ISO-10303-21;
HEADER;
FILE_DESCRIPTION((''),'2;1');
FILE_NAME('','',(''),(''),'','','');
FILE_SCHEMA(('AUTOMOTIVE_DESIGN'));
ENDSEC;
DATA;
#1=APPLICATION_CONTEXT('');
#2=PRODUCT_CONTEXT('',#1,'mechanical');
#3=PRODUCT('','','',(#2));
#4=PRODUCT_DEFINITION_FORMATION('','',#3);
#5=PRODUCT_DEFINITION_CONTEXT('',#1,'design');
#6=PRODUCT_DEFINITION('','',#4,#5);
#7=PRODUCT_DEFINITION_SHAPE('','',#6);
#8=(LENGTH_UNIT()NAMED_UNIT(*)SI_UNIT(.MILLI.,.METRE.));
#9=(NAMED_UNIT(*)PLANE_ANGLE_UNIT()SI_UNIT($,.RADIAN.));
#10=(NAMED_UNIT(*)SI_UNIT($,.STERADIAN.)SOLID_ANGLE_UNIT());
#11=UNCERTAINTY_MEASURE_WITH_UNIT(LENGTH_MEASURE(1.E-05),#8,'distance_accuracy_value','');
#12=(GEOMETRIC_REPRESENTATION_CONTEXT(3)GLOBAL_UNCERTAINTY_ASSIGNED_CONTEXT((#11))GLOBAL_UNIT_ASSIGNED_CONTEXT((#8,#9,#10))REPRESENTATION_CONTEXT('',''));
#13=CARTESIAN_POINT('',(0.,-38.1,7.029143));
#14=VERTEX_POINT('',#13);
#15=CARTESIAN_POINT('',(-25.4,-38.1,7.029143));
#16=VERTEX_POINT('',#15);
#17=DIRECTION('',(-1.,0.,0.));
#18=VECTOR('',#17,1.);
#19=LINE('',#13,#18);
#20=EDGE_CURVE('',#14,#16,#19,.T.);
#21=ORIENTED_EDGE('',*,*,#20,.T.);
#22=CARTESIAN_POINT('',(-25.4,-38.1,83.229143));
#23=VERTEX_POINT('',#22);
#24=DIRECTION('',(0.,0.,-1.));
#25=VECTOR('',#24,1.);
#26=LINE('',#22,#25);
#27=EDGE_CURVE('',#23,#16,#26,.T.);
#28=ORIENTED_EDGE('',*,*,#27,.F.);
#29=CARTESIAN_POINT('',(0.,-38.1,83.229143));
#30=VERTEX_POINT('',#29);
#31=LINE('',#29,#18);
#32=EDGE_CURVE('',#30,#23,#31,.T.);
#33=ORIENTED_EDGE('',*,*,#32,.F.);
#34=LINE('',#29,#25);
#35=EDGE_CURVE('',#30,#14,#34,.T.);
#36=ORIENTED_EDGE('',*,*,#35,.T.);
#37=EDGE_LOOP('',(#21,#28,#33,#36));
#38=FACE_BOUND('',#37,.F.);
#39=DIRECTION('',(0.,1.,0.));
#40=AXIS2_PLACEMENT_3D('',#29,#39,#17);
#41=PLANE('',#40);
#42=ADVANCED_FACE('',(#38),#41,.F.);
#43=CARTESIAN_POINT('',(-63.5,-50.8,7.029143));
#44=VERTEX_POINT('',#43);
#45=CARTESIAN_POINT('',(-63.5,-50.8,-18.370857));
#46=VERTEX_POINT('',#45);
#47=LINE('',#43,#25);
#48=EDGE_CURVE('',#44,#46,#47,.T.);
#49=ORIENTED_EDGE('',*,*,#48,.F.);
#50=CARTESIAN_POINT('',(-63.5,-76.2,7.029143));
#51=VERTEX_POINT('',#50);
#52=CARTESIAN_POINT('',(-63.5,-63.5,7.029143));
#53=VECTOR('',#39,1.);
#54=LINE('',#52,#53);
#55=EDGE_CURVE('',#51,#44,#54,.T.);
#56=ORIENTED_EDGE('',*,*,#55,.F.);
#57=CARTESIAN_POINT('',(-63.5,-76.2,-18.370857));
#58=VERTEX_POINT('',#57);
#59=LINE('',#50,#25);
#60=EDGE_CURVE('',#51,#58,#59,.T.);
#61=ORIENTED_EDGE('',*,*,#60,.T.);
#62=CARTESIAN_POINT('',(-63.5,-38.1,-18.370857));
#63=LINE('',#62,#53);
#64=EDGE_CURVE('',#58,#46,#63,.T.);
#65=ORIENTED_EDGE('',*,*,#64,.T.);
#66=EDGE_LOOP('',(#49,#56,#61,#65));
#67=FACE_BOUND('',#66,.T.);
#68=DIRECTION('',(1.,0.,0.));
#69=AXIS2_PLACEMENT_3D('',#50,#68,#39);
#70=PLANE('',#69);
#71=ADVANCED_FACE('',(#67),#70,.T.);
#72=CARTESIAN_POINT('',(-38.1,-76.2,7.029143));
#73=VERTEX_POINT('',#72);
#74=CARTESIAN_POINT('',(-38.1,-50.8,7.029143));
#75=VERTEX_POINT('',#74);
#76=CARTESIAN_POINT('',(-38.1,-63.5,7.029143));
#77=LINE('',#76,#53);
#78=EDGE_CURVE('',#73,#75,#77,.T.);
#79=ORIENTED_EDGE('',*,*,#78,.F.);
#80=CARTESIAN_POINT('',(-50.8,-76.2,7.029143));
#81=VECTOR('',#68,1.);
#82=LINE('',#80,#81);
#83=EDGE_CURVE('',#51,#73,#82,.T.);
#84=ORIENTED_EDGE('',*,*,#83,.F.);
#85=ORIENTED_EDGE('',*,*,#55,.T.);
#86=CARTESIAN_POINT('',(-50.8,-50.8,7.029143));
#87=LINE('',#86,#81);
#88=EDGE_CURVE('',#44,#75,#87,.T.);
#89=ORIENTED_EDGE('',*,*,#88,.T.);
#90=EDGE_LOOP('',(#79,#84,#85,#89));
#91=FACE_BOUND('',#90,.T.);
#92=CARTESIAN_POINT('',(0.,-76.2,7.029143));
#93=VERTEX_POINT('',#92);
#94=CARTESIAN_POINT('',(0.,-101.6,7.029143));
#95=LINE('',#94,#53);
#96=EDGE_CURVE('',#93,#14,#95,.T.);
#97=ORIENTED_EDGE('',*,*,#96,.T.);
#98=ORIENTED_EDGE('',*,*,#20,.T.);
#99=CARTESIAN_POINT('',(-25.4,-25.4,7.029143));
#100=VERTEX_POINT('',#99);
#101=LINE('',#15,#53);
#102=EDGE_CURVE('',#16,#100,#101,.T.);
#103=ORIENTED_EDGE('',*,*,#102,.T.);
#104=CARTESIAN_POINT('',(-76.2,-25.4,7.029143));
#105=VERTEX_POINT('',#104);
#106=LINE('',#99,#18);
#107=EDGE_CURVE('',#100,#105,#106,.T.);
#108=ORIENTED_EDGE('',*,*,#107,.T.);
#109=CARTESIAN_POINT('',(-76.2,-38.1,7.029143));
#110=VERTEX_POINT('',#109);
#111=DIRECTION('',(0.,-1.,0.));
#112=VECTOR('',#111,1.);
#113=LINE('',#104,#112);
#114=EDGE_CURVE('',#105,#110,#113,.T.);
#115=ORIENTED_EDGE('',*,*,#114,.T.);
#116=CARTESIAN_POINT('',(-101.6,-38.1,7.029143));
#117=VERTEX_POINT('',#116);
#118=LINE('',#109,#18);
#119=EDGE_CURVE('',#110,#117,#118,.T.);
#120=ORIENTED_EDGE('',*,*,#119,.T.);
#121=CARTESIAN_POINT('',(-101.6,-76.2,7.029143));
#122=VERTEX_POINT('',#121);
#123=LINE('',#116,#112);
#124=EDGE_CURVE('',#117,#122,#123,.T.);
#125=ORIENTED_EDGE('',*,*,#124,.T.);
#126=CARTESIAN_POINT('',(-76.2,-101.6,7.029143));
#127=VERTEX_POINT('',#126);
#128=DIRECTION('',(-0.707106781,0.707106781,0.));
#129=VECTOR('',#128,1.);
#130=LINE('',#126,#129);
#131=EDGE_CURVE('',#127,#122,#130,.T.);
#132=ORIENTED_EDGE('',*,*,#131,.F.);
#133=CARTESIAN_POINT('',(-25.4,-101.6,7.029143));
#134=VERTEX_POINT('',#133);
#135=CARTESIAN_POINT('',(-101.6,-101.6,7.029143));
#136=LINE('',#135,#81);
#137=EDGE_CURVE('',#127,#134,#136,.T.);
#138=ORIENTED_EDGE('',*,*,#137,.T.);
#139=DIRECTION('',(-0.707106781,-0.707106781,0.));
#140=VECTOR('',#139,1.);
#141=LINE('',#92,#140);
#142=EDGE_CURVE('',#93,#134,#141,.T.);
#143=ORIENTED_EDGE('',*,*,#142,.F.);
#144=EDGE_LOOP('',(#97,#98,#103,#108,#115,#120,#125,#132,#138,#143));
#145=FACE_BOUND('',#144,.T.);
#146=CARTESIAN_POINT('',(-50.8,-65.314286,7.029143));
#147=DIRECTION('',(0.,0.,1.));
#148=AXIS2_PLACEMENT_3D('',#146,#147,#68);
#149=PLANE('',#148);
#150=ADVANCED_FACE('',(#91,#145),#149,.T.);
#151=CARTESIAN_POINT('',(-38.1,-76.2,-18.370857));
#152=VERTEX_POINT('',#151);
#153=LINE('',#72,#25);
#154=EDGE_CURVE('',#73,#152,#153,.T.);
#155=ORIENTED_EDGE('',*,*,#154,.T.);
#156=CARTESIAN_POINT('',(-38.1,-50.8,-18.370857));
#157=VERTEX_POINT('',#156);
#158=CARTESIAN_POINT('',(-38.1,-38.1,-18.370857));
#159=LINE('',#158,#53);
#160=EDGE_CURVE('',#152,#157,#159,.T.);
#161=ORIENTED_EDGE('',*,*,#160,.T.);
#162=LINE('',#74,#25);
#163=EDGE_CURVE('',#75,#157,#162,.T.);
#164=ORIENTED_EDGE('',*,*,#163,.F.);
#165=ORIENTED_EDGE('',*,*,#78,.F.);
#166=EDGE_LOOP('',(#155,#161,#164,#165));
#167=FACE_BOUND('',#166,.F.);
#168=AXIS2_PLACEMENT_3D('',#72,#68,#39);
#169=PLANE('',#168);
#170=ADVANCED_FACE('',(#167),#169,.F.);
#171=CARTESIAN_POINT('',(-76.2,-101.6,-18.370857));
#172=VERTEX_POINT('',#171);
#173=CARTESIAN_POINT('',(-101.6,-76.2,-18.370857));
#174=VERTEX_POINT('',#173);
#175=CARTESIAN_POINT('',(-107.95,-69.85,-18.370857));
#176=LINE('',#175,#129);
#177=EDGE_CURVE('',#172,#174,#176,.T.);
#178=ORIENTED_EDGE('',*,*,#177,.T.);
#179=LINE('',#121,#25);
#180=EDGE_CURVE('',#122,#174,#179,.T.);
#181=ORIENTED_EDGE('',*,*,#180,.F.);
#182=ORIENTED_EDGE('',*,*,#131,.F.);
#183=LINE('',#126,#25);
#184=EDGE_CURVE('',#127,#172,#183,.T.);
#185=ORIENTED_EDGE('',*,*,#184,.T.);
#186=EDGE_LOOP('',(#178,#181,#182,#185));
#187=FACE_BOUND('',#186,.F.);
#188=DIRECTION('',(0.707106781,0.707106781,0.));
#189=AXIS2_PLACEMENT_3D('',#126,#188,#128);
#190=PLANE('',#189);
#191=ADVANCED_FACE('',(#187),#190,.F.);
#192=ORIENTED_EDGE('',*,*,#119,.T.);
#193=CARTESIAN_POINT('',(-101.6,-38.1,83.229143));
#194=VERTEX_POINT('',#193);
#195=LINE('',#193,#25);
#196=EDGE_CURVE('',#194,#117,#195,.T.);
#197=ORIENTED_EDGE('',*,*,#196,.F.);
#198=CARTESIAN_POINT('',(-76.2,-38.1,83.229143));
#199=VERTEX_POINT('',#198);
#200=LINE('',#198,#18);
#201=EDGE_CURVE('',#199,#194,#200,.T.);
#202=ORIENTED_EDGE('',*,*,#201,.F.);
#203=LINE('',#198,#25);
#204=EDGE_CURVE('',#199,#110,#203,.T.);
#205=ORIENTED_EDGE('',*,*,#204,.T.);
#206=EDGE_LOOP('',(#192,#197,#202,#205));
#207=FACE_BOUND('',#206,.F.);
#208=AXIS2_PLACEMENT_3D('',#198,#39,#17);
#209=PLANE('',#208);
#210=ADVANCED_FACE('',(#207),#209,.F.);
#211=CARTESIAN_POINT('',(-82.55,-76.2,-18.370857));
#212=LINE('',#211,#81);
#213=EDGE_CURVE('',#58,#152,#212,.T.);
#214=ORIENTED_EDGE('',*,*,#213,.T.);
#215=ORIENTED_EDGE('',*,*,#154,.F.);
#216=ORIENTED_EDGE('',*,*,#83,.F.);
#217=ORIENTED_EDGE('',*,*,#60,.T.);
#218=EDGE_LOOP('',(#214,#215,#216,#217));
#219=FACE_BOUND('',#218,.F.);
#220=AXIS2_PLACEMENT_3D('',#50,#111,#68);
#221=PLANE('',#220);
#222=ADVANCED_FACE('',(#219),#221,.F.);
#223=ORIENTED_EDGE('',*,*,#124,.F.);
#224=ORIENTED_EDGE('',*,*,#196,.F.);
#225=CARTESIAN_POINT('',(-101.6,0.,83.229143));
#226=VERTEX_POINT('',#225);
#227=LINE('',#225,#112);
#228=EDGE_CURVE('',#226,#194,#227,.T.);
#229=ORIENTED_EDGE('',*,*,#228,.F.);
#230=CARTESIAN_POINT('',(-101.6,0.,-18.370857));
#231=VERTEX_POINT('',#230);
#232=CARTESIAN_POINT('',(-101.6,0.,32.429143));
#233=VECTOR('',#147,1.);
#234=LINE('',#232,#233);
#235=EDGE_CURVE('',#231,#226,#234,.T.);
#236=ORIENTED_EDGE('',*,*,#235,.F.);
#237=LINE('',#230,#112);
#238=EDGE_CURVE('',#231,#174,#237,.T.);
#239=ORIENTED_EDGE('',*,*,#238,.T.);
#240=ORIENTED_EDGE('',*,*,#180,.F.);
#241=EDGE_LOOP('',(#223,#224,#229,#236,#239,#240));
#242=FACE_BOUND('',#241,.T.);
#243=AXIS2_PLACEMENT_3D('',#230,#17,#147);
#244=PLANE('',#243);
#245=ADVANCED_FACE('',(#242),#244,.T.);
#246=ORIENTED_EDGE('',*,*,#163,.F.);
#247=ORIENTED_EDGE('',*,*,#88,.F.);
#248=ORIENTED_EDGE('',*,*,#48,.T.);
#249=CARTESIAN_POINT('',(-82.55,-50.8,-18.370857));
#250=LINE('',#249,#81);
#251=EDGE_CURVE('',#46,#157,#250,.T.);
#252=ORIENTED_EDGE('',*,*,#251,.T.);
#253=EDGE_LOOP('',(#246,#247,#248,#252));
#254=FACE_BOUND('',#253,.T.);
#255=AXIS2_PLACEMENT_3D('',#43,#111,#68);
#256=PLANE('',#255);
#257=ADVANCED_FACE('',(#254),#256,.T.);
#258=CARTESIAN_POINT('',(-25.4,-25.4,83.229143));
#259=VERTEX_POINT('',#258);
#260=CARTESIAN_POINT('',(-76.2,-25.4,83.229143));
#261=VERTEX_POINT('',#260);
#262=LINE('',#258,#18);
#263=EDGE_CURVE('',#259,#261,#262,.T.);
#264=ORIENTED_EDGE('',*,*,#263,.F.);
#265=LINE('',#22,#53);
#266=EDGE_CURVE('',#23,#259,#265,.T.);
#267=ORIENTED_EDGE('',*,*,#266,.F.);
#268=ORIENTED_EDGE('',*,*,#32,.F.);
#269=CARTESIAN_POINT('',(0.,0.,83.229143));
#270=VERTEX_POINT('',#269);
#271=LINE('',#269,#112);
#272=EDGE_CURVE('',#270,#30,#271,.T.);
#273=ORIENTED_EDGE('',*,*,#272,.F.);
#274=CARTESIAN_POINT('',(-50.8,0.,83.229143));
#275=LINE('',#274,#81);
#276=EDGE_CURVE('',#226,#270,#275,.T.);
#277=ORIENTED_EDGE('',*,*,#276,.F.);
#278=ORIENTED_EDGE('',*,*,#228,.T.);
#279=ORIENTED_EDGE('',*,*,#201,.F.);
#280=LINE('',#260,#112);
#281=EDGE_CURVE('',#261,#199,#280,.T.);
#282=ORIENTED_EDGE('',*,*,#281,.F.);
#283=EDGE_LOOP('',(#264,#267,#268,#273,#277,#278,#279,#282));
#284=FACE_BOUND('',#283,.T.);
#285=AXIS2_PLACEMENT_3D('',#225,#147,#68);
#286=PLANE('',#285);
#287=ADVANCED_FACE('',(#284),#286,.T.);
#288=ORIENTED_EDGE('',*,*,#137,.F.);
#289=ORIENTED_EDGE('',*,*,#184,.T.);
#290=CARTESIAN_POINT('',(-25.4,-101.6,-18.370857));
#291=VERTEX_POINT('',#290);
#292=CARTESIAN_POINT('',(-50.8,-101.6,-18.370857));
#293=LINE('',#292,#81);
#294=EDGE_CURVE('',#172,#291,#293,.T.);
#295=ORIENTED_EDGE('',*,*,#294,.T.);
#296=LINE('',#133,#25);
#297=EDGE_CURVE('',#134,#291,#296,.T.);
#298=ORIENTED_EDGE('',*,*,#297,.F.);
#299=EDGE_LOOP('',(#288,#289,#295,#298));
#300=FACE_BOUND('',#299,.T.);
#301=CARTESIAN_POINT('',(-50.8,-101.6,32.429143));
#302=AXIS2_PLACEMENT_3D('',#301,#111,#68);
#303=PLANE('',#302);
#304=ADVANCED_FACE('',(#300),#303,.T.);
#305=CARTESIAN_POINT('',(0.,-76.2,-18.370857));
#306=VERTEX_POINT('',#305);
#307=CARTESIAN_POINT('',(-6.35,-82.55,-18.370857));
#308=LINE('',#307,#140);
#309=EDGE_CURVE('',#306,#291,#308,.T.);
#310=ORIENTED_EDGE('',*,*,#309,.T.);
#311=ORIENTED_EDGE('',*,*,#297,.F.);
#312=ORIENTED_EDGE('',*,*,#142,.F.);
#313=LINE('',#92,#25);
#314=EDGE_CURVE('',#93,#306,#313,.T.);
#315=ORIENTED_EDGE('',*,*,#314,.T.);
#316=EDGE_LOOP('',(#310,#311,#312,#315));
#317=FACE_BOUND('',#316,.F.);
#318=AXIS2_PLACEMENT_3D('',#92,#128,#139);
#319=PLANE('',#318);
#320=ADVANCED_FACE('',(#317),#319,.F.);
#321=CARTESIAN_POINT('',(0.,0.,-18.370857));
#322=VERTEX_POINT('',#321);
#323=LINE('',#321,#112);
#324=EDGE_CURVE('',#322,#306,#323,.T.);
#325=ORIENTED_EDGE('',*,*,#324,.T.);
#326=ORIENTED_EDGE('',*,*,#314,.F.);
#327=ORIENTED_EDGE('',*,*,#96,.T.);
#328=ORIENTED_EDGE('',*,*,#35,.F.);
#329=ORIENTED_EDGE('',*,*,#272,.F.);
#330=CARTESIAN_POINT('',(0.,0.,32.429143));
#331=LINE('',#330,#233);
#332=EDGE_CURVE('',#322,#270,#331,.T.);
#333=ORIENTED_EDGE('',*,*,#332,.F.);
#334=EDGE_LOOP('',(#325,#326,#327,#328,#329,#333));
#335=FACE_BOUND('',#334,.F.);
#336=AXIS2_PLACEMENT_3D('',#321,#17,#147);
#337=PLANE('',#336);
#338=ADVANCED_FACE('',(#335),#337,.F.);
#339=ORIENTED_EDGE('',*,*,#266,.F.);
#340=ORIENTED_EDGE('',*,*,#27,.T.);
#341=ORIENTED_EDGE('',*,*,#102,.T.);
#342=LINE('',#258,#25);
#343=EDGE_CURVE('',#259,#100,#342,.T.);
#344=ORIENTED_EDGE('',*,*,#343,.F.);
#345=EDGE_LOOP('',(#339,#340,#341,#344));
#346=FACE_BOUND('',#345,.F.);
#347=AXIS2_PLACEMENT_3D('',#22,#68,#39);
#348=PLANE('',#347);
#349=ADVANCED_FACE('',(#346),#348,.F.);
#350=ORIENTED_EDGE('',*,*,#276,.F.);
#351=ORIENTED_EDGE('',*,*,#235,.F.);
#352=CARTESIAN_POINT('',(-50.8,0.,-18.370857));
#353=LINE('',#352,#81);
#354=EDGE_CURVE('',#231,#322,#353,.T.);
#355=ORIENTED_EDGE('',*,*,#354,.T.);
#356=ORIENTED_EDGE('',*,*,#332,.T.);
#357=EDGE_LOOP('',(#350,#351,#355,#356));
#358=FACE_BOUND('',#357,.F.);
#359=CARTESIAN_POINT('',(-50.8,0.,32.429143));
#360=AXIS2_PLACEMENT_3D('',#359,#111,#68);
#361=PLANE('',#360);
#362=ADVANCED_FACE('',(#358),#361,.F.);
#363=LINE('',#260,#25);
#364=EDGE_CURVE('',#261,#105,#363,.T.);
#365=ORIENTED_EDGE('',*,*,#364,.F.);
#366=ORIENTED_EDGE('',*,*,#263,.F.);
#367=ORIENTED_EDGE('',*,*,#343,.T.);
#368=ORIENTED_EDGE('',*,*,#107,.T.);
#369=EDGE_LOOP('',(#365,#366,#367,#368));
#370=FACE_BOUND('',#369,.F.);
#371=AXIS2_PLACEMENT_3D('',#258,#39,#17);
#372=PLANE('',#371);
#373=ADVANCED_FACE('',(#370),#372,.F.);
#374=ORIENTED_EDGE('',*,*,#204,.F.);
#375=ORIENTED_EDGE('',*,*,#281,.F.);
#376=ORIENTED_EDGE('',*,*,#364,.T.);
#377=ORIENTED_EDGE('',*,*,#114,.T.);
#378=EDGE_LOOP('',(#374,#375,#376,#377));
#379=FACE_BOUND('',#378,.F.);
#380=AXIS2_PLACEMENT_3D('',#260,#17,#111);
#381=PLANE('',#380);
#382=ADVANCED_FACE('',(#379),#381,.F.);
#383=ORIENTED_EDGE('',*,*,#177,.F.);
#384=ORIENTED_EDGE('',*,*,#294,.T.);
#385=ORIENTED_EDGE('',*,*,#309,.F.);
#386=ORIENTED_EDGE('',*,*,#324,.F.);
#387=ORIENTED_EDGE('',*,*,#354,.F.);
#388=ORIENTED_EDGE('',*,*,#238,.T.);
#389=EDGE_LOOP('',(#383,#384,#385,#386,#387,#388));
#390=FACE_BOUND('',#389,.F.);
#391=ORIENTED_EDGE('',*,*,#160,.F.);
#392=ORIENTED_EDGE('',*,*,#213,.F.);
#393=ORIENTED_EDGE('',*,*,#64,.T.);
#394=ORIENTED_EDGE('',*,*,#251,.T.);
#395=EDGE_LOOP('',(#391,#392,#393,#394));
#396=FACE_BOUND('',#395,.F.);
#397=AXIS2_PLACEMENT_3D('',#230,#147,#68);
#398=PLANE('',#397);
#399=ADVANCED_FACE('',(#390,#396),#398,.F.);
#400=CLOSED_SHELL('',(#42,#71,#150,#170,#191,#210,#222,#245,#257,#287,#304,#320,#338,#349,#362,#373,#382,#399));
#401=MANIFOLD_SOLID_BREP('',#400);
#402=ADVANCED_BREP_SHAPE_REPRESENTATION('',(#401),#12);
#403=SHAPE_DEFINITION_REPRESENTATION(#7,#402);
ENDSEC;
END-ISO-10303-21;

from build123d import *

# Parameters (mm, degrees)
F0_W     = 101.6
F0_H     = 101.6
F1_DEPTH = 101.6
F3_DEPTH = 76.2
F5_DEPTH = 87.376
F6_W     = 25.4
F6_H     = 25.4
F7_DEPTH = 103.378


with BuildPart() as f1:
    # F0 (on Front) → F1 (new body)
    with BuildSketch(Plane.XZ):
        with Locations((-50.8, 32.4291425377)):
            Rectangle(F0_W, F0_H)
    extrude(amount=F1_DEPTH)

    # F2 (on face) → F3 (cut)
    with BuildSketch(Plane.XY.offset(83.2291425377)):
        Polygon((-76.2, -38.1), (-101.6, -38.1), (-101.6, -101.6), (0, -101.6), (0, -38.1), (-25.4, -38.1), (-25.4, -25.4), (-76.2, -25.4), align=None)
    extrude(amount=-F3_DEPTH, mode=Mode.SUBTRACT)

    # F4 (on face) → F5 (cut)
    with BuildSketch(Plane.XY.offset(7.0291425377)):
        Polygon((-76.2, -101.6), (-101.6, -76.2), (-101.6, -101.6), align=None)
        Polygon((0, -76.2), (-25.4, -101.6), (0, -101.6), align=None)
    extrude(amount=-F5_DEPTH, mode=Mode.SUBTRACT)

    # F6 (on face) → F7 (cut)
    with BuildSketch(Plane.XY.offset(7.0291425377)):
        with Locations((-50.8, -63.5)):
            Rectangle(F6_W, F6_H)
    extrude(amount=-F7_DEPTH, mode=Mode.SUBTRACT)


solid = f1.part
